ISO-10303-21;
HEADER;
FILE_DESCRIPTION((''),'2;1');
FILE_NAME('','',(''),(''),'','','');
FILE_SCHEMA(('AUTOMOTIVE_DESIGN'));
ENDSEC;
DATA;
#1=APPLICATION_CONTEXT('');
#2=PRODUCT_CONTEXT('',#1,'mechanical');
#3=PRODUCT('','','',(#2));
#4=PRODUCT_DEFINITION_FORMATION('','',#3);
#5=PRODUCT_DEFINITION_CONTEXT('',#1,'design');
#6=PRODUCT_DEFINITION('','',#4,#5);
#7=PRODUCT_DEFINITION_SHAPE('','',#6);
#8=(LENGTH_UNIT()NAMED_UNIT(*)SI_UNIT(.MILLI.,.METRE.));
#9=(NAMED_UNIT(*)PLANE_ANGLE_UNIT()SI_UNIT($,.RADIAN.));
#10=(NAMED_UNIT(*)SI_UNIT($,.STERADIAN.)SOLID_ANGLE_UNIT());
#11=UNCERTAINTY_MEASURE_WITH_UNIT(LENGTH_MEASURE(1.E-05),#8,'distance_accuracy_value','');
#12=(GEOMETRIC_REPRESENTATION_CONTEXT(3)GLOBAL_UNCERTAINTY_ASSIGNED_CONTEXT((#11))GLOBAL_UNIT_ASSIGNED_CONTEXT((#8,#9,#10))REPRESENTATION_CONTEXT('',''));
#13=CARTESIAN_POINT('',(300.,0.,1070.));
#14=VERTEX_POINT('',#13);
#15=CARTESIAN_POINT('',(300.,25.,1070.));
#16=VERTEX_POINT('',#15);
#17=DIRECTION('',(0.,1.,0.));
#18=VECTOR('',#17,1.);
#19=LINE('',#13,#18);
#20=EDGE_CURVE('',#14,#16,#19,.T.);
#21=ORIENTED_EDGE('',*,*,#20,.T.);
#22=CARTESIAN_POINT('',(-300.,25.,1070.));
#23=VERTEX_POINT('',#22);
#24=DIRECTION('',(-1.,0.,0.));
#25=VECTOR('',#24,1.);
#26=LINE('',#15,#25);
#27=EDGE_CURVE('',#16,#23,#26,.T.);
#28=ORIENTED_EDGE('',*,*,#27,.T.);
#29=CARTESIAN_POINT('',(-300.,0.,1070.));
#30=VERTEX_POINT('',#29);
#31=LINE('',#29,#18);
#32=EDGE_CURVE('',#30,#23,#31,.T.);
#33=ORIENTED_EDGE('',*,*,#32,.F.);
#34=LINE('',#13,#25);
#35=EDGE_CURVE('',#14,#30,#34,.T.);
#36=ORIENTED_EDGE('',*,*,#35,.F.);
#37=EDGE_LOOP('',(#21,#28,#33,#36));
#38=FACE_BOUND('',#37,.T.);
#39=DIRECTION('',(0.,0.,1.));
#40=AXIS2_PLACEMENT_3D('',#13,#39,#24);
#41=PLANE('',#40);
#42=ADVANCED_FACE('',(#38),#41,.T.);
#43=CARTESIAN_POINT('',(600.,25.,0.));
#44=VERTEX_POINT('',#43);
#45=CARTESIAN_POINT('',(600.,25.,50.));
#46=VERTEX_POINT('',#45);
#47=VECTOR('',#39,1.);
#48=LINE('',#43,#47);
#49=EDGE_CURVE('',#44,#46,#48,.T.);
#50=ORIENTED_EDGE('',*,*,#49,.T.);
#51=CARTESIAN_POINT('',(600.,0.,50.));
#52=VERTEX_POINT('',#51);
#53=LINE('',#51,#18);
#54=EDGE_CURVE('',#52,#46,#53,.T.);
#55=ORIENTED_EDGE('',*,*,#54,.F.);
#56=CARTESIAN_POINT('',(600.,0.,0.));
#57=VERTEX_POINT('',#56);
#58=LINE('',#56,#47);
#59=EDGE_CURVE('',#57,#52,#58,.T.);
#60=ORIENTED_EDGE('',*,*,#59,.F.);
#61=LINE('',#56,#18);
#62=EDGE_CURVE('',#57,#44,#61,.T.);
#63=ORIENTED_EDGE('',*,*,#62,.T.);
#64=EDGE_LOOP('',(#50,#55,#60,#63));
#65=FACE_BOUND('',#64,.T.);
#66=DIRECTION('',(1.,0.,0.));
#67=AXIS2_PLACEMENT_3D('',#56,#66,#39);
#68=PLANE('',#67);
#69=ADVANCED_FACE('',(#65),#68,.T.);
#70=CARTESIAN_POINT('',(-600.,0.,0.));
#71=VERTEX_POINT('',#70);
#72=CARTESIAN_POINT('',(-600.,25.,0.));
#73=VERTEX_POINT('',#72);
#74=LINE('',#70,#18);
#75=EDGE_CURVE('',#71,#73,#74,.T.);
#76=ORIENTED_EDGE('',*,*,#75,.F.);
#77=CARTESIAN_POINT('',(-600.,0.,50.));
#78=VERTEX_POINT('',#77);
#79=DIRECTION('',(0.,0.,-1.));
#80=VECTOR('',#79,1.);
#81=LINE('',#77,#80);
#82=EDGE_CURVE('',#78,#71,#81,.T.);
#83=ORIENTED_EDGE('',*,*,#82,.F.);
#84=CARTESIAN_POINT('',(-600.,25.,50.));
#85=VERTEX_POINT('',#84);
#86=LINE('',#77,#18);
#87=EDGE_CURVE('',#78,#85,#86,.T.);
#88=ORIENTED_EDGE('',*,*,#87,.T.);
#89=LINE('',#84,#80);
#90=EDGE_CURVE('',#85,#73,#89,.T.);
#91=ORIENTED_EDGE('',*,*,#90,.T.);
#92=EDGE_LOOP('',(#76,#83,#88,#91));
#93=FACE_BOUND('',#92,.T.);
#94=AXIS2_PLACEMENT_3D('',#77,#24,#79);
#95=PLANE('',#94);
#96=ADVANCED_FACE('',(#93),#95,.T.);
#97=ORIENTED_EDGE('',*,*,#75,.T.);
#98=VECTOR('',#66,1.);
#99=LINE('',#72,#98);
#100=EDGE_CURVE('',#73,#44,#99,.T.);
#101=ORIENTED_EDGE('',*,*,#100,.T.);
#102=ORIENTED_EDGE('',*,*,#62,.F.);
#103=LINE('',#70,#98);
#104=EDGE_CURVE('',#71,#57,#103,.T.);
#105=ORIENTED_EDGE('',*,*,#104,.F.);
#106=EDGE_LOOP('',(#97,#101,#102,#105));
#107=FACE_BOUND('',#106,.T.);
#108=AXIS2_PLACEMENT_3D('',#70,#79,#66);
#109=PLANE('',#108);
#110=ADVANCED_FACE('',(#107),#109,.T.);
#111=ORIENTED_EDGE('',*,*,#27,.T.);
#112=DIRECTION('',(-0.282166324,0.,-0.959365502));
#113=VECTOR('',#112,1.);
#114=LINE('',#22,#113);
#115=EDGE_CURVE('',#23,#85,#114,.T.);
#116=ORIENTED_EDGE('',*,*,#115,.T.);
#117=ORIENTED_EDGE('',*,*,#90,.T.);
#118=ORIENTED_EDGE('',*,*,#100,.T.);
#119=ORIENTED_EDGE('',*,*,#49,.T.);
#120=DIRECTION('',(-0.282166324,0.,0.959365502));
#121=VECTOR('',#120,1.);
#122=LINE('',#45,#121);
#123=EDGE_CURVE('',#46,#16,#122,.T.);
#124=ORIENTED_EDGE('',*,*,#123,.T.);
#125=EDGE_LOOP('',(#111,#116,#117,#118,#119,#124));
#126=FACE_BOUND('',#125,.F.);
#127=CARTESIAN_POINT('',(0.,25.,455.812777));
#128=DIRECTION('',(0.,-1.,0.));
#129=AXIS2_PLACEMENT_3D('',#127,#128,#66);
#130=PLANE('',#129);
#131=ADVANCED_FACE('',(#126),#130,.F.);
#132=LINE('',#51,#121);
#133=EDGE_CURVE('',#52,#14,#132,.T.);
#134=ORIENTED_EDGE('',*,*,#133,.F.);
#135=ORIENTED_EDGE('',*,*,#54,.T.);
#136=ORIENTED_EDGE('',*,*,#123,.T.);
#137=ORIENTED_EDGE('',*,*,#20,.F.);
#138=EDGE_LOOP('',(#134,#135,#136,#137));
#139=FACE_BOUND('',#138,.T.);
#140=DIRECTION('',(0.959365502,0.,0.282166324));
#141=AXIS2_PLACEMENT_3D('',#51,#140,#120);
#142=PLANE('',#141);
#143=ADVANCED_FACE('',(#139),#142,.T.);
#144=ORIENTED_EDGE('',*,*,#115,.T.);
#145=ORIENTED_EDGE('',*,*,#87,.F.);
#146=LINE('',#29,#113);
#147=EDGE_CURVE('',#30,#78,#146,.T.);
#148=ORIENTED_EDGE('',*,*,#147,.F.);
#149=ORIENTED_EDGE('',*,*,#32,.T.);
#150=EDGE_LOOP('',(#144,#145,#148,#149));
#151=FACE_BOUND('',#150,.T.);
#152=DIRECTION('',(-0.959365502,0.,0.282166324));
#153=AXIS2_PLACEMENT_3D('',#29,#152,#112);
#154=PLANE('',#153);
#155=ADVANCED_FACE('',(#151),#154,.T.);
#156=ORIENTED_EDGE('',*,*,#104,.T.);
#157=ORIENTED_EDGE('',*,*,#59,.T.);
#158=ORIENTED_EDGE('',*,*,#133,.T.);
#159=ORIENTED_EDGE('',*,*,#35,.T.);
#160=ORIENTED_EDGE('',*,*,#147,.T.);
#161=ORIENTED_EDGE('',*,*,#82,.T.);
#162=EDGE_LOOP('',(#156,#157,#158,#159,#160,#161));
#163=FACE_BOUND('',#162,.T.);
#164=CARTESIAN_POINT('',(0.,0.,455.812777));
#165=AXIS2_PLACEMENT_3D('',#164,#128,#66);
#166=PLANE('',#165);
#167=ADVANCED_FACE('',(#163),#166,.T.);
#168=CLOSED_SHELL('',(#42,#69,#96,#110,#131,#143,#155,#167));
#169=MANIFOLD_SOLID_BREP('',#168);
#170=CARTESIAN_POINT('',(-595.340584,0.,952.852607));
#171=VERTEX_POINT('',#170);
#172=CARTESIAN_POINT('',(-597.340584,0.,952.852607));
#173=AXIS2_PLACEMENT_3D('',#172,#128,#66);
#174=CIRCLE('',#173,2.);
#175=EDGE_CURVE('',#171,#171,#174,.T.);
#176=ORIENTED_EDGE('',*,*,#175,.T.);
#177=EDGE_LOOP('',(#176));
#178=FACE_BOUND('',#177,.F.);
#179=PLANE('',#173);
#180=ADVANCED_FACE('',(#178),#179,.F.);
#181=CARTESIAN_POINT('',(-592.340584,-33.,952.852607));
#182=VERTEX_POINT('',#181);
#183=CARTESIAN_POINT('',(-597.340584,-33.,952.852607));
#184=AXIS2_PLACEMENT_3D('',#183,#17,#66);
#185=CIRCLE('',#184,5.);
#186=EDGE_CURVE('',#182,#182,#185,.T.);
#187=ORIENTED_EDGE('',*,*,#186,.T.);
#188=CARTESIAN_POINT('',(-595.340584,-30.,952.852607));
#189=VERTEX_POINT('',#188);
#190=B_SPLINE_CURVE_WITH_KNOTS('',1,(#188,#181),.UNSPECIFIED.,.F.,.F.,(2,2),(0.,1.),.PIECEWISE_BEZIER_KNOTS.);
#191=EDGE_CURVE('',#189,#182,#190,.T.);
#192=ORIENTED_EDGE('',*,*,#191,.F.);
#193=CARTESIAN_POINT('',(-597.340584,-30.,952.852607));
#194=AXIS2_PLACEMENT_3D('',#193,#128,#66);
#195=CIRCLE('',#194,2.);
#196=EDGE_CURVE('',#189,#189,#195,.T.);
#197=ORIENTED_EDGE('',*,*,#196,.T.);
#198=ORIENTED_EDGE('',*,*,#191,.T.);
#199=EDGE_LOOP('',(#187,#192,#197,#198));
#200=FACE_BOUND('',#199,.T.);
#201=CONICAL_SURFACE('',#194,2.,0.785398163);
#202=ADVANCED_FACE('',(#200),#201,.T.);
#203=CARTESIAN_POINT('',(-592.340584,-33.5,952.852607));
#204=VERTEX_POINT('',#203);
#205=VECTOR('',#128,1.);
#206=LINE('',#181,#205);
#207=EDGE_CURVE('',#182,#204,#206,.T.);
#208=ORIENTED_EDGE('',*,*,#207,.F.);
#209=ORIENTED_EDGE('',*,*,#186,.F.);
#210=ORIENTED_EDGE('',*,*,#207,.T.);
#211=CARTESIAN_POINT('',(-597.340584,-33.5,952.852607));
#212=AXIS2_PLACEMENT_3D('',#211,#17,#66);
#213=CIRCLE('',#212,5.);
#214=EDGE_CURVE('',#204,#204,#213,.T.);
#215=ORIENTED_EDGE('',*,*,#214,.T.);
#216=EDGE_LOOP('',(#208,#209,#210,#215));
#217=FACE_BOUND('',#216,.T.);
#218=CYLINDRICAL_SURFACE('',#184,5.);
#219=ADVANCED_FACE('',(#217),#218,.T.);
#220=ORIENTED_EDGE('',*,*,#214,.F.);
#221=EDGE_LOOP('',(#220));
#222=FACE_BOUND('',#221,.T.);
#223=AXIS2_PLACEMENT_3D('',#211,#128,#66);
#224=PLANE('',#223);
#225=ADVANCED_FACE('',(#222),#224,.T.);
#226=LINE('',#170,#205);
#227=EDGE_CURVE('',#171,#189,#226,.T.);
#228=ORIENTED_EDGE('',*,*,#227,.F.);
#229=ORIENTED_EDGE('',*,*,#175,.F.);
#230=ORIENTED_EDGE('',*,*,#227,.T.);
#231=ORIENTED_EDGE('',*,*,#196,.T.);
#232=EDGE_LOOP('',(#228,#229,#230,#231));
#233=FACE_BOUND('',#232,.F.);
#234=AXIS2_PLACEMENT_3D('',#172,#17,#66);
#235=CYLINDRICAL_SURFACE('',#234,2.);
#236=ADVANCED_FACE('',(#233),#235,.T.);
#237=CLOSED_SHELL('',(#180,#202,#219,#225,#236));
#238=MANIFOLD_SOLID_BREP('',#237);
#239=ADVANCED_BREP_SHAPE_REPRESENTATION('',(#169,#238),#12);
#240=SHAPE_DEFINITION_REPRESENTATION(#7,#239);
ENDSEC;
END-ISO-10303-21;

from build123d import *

# Parameters (mm, degrees)
F3_DEPTH  = 25
F2_R      = 2
F4_DEPTH  = 30
F4_FACE_R = 2
F5_DEPTH  = 3
F5_TAPER  = -45
F6_DEPTH  = 0.5


with BuildPart() as f3:
    # F2 (on Front) → F3 (new body)
    with BuildSketch(Plane.XZ):
        Polygon((-600, 0), (600, 0), (600, 50), (300, 1070), (-300, 1070), (-600, 50), align=None)
    extrude(amount=-F3_DEPTH)


with BuildPart() as f4:
    # F2 (on Front) → F4 (new body)
    with BuildSketch(Plane.XZ):
        with Locations((-597.3405838013, 952.8526067734)):
            Circle(F2_R)
    extrude(amount=F4_DEPTH)

    # F4_face (on face) → F5 (join)
    with BuildSketch(Plane(origin=(-597.3405838013, -30, 952.8526067734), x_dir=(1, 0, 0), z_dir=(0, -1, 0))):
        Circle(F4_FACE_R)
    extrude(amount=F5_DEPTH, taper=F5_TAPER)

    # F6 (add): a face of the model
    f6_faces = [f4.faces().sort_by_distance(p)[0] for p in [
        (-597.3405838013, -33, 952.8526067734),
    ]]
    extrude(f6_faces, amount=F6_DEPTH)


solid = Compound([f3.part, f4.part])
